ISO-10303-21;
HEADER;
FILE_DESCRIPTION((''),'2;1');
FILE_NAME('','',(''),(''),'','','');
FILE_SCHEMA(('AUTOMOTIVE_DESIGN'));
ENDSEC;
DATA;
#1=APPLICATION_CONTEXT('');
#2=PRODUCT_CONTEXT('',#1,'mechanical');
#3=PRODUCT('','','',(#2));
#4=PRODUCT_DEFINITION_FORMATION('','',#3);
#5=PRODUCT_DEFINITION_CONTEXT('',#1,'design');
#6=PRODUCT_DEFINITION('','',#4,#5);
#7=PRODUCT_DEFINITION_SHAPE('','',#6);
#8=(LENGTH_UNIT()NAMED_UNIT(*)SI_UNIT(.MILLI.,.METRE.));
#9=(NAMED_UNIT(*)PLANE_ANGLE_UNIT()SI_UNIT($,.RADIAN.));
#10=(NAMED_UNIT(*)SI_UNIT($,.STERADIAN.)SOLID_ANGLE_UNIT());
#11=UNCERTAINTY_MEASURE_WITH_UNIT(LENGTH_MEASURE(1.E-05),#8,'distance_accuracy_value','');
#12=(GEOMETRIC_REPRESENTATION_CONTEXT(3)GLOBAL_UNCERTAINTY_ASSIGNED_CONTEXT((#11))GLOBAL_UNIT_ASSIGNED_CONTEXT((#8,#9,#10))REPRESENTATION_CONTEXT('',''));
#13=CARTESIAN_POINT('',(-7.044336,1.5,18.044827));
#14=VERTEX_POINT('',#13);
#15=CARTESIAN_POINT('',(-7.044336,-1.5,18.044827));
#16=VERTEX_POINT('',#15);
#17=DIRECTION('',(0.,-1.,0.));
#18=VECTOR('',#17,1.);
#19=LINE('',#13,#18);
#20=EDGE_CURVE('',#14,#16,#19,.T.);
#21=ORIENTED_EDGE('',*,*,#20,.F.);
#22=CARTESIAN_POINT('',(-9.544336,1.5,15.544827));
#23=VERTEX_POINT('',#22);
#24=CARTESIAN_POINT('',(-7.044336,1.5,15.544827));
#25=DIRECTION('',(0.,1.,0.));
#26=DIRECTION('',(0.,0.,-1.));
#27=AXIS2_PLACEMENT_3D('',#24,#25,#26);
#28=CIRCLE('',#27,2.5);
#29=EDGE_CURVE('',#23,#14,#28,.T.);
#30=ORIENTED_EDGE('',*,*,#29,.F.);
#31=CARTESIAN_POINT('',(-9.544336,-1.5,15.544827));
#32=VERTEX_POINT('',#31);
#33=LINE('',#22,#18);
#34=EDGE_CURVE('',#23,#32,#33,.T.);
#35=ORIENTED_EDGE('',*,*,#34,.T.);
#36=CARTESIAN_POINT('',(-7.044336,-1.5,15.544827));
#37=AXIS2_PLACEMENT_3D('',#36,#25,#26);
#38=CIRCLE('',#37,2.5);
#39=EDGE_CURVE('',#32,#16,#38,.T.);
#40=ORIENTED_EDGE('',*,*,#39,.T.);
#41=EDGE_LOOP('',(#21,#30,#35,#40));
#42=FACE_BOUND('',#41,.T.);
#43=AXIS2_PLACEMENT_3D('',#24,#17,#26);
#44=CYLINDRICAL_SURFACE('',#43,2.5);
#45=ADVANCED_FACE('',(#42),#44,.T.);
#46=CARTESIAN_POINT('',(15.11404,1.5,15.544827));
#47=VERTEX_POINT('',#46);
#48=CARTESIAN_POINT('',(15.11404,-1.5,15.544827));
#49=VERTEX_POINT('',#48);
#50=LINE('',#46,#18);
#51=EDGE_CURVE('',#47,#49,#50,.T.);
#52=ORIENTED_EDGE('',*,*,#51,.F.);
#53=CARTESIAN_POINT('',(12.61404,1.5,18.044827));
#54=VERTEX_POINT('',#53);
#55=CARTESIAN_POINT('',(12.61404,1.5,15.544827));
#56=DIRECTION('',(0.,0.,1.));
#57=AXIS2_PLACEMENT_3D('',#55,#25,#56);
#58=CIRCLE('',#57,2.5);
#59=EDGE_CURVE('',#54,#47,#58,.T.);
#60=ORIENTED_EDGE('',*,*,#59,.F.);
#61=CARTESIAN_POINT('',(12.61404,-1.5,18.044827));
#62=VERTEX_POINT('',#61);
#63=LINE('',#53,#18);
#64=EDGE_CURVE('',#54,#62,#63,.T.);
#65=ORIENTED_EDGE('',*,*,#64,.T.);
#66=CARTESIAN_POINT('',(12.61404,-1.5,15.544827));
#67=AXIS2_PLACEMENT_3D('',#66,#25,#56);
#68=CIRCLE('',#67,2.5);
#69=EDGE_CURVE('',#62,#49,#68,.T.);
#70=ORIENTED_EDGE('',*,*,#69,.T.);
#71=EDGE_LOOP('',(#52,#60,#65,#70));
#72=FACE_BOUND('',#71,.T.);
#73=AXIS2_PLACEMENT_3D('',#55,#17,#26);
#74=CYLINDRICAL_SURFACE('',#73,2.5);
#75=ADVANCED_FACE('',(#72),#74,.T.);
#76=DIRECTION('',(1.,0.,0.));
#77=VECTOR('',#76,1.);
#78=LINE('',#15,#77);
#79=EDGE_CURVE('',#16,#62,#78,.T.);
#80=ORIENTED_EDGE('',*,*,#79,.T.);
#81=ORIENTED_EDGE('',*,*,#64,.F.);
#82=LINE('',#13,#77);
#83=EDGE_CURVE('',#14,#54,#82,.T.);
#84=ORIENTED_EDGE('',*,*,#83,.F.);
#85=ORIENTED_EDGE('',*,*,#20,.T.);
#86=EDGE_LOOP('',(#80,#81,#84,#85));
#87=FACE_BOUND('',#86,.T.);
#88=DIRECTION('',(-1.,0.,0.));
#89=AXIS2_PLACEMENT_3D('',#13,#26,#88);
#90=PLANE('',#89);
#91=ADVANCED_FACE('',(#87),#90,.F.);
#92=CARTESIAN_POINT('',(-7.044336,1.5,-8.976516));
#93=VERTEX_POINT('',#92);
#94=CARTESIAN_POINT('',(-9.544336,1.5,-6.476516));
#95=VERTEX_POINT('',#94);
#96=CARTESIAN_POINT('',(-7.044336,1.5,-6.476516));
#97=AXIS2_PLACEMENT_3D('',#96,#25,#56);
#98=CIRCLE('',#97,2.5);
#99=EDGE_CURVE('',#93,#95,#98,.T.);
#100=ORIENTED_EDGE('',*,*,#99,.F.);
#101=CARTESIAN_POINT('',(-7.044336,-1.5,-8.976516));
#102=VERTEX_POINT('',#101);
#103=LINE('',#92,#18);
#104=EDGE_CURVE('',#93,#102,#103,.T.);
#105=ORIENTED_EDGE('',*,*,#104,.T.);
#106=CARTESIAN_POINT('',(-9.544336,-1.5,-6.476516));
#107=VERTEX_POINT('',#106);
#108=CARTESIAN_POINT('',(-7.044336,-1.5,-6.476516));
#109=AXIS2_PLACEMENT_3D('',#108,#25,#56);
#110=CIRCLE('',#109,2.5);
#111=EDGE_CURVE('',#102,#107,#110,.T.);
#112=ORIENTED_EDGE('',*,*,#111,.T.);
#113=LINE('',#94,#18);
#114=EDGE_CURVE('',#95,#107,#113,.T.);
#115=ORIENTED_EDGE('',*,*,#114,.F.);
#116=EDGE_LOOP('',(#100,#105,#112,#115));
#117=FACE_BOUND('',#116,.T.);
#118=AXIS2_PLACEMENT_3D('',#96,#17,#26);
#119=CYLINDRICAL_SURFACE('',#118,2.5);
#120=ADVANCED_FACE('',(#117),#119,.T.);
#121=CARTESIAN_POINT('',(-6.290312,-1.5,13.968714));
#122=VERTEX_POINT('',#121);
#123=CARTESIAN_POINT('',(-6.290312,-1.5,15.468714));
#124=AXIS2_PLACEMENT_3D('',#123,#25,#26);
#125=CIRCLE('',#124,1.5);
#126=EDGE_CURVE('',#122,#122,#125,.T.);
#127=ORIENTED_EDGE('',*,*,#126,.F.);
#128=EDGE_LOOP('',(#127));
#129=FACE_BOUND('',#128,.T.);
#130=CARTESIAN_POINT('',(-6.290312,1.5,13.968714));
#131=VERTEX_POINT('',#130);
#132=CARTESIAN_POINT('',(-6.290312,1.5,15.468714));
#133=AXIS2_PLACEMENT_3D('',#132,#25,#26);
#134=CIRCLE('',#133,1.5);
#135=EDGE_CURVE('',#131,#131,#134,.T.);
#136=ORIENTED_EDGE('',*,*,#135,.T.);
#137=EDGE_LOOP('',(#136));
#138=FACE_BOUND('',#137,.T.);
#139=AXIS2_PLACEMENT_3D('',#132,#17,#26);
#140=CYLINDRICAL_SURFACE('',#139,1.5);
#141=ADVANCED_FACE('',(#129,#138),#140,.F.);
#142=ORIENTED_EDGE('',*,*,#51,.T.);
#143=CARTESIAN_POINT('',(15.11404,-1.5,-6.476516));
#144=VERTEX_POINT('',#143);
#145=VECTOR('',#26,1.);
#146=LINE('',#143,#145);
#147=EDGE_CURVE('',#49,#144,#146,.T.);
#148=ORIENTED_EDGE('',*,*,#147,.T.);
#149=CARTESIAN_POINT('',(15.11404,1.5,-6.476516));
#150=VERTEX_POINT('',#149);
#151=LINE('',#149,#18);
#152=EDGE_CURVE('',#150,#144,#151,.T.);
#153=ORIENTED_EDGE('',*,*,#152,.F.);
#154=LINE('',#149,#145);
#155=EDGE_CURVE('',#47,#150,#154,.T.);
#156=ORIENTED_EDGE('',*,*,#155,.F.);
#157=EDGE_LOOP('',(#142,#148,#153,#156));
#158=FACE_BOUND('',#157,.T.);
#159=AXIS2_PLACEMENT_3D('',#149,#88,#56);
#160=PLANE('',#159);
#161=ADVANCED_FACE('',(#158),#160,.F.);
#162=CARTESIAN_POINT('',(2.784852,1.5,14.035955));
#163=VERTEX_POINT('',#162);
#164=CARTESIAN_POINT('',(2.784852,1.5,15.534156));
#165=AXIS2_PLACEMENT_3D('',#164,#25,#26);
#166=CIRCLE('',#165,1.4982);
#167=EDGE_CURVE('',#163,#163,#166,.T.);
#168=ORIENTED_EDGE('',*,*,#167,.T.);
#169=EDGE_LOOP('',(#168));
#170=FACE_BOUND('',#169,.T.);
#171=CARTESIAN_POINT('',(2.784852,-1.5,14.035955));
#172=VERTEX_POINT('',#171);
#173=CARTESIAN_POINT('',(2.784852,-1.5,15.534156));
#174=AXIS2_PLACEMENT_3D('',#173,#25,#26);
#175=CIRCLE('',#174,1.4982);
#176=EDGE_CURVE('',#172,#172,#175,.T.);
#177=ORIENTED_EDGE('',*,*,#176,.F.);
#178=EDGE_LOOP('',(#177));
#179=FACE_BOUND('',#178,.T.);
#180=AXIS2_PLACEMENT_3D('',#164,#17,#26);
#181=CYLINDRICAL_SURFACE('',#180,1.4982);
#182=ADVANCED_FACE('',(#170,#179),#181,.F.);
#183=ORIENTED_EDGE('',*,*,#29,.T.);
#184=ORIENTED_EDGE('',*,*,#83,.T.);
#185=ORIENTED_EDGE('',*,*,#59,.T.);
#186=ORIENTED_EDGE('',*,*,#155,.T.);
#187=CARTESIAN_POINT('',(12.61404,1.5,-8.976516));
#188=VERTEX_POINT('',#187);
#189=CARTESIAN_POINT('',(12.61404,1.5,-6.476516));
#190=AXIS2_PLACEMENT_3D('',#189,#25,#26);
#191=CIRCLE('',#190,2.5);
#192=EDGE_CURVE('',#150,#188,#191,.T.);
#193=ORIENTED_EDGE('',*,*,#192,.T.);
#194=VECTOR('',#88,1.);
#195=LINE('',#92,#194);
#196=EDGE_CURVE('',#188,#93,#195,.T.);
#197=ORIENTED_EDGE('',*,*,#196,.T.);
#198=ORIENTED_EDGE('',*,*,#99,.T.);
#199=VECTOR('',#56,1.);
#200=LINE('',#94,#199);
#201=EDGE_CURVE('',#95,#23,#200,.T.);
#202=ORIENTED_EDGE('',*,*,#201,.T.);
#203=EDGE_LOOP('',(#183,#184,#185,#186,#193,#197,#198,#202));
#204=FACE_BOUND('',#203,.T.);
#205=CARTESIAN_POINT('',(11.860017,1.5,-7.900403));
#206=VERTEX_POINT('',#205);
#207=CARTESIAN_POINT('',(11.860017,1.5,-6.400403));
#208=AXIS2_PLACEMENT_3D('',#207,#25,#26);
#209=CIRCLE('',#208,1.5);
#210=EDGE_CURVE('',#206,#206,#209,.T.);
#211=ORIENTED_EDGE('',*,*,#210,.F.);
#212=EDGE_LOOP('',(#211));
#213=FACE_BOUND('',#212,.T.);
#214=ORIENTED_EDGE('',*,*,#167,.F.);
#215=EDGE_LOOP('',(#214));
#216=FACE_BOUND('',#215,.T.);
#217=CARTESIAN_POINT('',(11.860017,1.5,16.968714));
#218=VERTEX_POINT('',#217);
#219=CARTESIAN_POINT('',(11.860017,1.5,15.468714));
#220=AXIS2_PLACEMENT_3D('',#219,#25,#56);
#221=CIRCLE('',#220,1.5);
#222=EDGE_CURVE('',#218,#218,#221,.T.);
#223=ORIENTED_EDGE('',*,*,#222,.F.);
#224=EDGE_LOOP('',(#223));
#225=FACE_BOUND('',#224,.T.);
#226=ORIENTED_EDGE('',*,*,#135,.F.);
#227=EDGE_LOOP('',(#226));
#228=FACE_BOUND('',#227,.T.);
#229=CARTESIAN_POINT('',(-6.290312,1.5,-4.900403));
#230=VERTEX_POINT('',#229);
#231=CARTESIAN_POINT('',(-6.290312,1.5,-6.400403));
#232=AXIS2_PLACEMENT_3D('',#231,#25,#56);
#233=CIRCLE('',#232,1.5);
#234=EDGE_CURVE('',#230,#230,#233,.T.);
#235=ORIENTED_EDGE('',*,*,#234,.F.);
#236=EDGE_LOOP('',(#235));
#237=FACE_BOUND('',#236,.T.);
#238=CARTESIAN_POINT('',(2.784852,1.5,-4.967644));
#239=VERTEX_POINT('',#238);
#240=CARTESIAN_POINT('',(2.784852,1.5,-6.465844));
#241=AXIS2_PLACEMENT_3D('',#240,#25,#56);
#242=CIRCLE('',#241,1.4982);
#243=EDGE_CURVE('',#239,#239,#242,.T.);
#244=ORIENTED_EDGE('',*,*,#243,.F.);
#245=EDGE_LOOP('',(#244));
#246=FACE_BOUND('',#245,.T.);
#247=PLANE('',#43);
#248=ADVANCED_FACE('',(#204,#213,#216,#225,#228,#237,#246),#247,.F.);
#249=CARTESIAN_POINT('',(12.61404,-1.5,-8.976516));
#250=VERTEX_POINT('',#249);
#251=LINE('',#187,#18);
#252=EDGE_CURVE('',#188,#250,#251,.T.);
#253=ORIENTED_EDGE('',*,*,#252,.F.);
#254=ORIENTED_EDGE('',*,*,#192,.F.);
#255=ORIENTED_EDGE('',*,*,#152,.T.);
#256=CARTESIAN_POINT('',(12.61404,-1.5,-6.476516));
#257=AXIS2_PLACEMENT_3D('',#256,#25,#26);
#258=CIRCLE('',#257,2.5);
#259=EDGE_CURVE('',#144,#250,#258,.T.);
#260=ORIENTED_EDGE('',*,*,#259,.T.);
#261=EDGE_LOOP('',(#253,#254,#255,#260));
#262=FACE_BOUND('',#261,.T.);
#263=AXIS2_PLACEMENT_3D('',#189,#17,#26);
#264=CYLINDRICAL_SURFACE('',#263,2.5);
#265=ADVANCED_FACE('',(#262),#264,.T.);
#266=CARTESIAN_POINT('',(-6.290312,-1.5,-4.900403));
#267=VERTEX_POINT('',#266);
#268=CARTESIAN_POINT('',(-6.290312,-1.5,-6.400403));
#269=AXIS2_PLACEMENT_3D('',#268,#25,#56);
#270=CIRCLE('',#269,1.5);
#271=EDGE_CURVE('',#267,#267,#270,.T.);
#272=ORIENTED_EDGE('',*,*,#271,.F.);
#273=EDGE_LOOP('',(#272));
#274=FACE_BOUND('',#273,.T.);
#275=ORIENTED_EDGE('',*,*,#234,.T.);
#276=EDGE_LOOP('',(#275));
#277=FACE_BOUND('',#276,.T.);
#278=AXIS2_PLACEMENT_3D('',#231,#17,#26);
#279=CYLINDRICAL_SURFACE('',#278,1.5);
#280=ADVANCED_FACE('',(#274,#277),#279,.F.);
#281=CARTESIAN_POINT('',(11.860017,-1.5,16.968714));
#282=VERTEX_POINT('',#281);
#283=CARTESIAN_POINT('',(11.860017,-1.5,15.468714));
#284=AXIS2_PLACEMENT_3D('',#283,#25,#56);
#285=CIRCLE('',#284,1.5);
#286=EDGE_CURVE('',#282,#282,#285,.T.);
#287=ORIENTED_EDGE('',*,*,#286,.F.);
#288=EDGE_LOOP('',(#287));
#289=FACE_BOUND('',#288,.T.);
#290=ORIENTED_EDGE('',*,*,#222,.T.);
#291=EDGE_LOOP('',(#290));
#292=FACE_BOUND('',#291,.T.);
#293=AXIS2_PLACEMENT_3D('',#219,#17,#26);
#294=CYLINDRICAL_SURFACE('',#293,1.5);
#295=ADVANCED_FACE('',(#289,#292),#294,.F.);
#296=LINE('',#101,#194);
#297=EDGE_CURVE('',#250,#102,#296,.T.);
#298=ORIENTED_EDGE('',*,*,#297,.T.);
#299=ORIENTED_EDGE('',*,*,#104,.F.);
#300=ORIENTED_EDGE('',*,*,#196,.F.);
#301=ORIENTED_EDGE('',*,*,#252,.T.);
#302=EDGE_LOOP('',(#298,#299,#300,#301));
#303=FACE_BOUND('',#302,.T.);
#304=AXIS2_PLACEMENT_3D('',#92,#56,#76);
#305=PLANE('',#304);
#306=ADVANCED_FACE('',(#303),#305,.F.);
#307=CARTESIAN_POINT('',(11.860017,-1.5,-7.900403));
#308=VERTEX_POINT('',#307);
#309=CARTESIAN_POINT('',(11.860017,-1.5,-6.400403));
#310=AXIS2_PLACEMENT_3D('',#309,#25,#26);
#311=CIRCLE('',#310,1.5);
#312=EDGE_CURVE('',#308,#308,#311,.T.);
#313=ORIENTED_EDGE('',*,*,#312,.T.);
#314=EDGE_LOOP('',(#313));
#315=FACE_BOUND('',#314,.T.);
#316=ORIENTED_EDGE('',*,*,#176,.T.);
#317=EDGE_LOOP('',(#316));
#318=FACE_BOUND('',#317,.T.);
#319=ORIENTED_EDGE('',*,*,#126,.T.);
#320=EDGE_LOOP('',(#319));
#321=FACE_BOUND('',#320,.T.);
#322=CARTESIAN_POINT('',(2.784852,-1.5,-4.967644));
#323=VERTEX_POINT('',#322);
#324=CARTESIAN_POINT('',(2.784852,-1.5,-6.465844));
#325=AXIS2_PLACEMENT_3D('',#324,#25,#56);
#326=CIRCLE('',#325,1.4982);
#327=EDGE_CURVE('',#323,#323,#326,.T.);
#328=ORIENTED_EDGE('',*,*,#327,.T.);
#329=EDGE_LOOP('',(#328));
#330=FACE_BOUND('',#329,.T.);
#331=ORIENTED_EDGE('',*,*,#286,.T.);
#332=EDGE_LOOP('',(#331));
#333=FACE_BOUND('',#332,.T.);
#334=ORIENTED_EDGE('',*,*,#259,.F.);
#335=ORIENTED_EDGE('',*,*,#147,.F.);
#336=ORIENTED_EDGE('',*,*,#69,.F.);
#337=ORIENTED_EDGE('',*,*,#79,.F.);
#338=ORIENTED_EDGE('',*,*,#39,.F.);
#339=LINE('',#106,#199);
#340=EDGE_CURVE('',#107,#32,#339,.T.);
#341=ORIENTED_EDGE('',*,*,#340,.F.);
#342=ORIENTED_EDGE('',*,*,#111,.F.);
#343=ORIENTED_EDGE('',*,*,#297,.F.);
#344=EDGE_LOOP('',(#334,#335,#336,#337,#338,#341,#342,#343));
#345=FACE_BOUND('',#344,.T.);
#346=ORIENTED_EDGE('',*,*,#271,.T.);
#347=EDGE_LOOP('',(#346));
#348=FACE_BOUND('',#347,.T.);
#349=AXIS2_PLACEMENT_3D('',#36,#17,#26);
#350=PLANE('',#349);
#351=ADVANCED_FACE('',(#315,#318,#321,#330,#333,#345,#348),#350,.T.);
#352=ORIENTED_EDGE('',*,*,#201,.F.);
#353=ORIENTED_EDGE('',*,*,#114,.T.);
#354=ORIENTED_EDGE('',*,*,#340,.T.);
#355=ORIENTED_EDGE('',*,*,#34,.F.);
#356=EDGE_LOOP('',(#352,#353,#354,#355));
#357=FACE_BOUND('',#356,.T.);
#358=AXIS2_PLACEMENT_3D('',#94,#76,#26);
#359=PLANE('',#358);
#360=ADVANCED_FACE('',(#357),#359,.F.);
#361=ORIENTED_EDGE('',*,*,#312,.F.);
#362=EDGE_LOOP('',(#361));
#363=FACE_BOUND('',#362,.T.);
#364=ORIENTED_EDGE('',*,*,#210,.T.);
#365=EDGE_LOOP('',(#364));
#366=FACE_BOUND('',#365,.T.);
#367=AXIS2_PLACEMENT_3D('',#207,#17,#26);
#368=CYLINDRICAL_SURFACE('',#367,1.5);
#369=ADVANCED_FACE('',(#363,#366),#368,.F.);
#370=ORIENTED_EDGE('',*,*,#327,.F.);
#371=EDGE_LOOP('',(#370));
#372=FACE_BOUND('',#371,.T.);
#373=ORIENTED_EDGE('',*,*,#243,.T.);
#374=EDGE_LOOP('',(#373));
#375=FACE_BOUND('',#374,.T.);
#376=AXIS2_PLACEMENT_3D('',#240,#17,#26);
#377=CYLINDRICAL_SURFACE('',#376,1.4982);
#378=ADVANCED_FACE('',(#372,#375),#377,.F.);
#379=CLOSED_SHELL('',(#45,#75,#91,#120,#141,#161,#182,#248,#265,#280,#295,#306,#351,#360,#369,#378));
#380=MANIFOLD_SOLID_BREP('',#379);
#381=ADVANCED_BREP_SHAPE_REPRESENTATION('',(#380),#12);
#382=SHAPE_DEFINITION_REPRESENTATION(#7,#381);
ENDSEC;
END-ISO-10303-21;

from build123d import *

# Parameters (mm, degrees)
CROQUIS1_R              = 1.498200291
CROQUIS1_R_2            = 1.5
SALIENTE_EXTRUIR1_DEPTH = 1.5


with BuildPart() as part:
    # Croquis1 → Saliente-Extruir1 (new, symmetric)
    with BuildSketch(Plane(origin=(0, 0, 0), x_dir=(1, 0, 0), z_dir=(0, 1, 0))):
        with BuildLine():
            Line((-7.044335514, 8.976515941), (12.614040425, 8.976515941))
            ThreePointArc((12.614040425, 8.976515941), (14.381807378, 8.244282894), (15.114040425, 6.476515941))
            Line((15.114040425, 6.476515941), (15.114040425, -15.544827048))
            ThreePointArc((15.114040425, -15.544827048), (14.381807378, -17.312594001), (12.614040425, -18.044827048))
            Line((12.614040425, -18.044827048), (-7.044335514, -18.044827048))
            ThreePointArc((-7.044335514, -18.044827048), (-8.812102467, -17.312594001), (-9.544335514, -15.544827048))
            Line((-9.544335514, -15.544827048), (-9.544335514, 6.476515941))
            ThreePointArc((-9.544335514, 6.476515941), (-8.812102467, 8.244282894), (-7.044335514, 8.976515941))
        make_face()
        with Locations(Location((2.784852456, 6.465844447, 0), (0, 0, 270))):
            Circle(CROQUIS1_R, mode=Mode.SUBTRACT)
        with Locations(Location((2.784852456, -15.534155553, 0), (0, 0, 90))):
            Circle(CROQUIS1_R, mode=Mode.SUBTRACT)
        with Locations(Location((-6.290312273, 6.400402587, 0), (0, 0, 270))):
            Circle(CROQUIS1_R_2, mode=Mode.SUBTRACT)
        with Locations(Location((-6.290312273, -15.468713694, 0), (0, 0, 90))):
            Circle(CROQUIS1_R_2, mode=Mode.SUBTRACT)
        with Locations(Location((11.860017184, -15.468713694, 0), (0, 0, 270))):
            Circle(CROQUIS1_R_2, mode=Mode.SUBTRACT)
        with Locations(Location((11.860017184, 6.400402587, 0), (0, 0, 90))):
            Circle(CROQUIS1_R_2, mode=Mode.SUBTRACT)
    extrude(amount=SALIENTE_EXTRUIR1_DEPTH, both=True)


solid = part.part
